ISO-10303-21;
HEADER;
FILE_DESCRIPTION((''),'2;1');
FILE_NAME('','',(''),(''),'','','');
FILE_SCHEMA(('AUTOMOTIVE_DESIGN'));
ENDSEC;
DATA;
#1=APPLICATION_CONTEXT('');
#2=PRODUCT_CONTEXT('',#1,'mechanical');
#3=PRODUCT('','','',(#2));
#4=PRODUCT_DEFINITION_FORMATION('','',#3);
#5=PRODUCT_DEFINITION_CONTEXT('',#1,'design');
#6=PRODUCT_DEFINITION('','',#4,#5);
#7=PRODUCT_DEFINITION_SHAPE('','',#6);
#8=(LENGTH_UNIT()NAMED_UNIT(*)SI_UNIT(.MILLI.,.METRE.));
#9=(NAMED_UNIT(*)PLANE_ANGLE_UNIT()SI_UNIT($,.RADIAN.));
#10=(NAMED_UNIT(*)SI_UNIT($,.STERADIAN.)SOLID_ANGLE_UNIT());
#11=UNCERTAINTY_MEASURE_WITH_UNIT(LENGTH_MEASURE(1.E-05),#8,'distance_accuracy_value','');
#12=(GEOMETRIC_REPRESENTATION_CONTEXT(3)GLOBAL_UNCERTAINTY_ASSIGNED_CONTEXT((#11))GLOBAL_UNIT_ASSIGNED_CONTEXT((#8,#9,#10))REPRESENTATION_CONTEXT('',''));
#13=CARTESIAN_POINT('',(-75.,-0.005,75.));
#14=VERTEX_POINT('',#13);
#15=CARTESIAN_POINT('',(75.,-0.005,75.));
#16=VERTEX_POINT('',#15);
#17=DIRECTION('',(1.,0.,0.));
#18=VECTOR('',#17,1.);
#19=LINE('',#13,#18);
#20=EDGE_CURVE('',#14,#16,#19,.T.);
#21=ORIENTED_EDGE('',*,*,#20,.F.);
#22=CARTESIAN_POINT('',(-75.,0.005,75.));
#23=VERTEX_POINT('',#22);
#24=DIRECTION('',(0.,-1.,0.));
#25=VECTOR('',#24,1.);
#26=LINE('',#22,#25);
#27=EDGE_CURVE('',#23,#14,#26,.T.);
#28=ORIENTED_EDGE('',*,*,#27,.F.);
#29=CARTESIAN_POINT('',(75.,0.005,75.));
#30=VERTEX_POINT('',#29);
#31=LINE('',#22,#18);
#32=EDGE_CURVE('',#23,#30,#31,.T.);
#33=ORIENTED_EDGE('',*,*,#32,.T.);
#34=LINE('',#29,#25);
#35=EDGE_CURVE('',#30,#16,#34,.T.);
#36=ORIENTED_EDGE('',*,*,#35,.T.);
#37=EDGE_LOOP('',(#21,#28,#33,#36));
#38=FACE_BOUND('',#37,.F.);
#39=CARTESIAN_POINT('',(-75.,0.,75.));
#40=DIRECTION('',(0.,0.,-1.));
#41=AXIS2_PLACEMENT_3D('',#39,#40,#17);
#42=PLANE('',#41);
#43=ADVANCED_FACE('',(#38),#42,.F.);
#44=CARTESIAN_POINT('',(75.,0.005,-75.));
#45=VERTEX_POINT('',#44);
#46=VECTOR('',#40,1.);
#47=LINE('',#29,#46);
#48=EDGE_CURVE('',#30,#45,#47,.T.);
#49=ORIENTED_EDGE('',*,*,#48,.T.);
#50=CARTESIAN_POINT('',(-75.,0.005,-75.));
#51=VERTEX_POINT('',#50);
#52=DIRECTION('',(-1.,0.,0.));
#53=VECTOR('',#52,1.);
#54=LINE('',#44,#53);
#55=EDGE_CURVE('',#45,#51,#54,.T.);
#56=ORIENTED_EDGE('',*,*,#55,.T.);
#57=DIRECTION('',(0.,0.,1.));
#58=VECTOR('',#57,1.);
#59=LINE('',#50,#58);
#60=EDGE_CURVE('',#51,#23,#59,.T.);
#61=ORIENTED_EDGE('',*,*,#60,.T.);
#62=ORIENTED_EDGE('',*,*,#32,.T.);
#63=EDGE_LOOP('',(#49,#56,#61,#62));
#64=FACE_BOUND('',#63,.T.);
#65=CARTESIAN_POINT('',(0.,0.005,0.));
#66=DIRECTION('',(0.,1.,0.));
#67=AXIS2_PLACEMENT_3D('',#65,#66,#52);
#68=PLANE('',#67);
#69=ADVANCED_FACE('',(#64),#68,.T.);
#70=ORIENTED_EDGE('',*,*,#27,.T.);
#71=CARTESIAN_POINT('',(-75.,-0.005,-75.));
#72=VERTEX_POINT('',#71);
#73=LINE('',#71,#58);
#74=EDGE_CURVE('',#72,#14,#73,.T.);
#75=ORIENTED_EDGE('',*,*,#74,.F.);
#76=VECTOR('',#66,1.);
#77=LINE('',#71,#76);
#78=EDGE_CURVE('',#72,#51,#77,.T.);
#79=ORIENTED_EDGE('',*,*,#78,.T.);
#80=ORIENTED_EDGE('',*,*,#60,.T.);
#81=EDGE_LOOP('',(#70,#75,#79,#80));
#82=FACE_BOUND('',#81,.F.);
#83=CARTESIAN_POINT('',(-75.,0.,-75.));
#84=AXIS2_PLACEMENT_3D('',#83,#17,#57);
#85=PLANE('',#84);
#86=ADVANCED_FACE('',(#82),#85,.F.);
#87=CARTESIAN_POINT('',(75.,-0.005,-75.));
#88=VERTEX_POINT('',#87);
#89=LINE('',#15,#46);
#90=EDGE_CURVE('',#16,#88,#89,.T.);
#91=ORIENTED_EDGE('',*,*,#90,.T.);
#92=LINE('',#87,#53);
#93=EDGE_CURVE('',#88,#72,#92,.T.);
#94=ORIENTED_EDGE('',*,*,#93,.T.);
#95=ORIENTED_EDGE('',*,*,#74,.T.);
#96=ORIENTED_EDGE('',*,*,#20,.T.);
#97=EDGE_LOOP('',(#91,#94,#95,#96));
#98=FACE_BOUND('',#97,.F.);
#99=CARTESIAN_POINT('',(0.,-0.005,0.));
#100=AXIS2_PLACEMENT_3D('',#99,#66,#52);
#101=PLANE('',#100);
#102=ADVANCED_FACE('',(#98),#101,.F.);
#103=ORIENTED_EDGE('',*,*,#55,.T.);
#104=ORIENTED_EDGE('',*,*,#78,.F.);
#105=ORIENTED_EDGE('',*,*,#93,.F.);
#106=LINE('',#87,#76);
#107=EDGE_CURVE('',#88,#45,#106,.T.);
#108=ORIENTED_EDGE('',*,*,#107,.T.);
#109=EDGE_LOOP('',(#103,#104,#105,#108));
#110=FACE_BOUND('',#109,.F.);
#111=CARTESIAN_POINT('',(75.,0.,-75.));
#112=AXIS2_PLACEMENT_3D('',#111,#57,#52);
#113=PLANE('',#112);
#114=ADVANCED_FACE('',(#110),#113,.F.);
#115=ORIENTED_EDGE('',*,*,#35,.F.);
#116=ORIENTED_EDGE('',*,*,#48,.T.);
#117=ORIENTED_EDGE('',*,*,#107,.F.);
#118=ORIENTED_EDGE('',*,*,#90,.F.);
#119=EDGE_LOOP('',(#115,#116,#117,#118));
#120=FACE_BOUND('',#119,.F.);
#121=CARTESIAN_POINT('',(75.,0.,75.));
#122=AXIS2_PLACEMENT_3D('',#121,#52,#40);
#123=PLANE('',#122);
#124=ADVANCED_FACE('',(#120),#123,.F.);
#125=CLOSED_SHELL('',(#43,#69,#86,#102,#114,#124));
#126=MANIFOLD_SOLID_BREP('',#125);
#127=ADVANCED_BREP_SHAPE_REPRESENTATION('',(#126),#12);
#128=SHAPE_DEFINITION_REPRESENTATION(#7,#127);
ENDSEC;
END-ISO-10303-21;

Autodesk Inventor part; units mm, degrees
ref_plane "YZ Plane" through (0, 0, 0) normal (1, 0, 0) x (0, 1, 0)
ref_plane "XZ Plane" through (0, 0, 0) normal (0, 1, 0) x (-1, 0, 0)
ref_plane "XY Plane" through (0, 0, 0) normal (0, 0, 1) x (1, 0, 0)
sketch "Sketch1" plane through (0, 0, 0) normal (0, 1, 0) x (-1, 0, 0)
  line L0 (-75, -75) -> (75, -75)
  line L1 (75, -75) -> (75, 75)
  line L2 (75, 75) -> (-75, 75)
  line L3 (-75, 75) -> (-75, -75)
  line L4 (0, -75) -> (0, 75) construction
  line L5 (75, 0) -> (-75, 0) construction
  point P0 (0, 0)
  dimension "d0" = 150
extrude "Extrusion1" add sketch "Sketch1" along normal mid plane 0.01
properties part number "Square_Velostat" material "Rubber"
